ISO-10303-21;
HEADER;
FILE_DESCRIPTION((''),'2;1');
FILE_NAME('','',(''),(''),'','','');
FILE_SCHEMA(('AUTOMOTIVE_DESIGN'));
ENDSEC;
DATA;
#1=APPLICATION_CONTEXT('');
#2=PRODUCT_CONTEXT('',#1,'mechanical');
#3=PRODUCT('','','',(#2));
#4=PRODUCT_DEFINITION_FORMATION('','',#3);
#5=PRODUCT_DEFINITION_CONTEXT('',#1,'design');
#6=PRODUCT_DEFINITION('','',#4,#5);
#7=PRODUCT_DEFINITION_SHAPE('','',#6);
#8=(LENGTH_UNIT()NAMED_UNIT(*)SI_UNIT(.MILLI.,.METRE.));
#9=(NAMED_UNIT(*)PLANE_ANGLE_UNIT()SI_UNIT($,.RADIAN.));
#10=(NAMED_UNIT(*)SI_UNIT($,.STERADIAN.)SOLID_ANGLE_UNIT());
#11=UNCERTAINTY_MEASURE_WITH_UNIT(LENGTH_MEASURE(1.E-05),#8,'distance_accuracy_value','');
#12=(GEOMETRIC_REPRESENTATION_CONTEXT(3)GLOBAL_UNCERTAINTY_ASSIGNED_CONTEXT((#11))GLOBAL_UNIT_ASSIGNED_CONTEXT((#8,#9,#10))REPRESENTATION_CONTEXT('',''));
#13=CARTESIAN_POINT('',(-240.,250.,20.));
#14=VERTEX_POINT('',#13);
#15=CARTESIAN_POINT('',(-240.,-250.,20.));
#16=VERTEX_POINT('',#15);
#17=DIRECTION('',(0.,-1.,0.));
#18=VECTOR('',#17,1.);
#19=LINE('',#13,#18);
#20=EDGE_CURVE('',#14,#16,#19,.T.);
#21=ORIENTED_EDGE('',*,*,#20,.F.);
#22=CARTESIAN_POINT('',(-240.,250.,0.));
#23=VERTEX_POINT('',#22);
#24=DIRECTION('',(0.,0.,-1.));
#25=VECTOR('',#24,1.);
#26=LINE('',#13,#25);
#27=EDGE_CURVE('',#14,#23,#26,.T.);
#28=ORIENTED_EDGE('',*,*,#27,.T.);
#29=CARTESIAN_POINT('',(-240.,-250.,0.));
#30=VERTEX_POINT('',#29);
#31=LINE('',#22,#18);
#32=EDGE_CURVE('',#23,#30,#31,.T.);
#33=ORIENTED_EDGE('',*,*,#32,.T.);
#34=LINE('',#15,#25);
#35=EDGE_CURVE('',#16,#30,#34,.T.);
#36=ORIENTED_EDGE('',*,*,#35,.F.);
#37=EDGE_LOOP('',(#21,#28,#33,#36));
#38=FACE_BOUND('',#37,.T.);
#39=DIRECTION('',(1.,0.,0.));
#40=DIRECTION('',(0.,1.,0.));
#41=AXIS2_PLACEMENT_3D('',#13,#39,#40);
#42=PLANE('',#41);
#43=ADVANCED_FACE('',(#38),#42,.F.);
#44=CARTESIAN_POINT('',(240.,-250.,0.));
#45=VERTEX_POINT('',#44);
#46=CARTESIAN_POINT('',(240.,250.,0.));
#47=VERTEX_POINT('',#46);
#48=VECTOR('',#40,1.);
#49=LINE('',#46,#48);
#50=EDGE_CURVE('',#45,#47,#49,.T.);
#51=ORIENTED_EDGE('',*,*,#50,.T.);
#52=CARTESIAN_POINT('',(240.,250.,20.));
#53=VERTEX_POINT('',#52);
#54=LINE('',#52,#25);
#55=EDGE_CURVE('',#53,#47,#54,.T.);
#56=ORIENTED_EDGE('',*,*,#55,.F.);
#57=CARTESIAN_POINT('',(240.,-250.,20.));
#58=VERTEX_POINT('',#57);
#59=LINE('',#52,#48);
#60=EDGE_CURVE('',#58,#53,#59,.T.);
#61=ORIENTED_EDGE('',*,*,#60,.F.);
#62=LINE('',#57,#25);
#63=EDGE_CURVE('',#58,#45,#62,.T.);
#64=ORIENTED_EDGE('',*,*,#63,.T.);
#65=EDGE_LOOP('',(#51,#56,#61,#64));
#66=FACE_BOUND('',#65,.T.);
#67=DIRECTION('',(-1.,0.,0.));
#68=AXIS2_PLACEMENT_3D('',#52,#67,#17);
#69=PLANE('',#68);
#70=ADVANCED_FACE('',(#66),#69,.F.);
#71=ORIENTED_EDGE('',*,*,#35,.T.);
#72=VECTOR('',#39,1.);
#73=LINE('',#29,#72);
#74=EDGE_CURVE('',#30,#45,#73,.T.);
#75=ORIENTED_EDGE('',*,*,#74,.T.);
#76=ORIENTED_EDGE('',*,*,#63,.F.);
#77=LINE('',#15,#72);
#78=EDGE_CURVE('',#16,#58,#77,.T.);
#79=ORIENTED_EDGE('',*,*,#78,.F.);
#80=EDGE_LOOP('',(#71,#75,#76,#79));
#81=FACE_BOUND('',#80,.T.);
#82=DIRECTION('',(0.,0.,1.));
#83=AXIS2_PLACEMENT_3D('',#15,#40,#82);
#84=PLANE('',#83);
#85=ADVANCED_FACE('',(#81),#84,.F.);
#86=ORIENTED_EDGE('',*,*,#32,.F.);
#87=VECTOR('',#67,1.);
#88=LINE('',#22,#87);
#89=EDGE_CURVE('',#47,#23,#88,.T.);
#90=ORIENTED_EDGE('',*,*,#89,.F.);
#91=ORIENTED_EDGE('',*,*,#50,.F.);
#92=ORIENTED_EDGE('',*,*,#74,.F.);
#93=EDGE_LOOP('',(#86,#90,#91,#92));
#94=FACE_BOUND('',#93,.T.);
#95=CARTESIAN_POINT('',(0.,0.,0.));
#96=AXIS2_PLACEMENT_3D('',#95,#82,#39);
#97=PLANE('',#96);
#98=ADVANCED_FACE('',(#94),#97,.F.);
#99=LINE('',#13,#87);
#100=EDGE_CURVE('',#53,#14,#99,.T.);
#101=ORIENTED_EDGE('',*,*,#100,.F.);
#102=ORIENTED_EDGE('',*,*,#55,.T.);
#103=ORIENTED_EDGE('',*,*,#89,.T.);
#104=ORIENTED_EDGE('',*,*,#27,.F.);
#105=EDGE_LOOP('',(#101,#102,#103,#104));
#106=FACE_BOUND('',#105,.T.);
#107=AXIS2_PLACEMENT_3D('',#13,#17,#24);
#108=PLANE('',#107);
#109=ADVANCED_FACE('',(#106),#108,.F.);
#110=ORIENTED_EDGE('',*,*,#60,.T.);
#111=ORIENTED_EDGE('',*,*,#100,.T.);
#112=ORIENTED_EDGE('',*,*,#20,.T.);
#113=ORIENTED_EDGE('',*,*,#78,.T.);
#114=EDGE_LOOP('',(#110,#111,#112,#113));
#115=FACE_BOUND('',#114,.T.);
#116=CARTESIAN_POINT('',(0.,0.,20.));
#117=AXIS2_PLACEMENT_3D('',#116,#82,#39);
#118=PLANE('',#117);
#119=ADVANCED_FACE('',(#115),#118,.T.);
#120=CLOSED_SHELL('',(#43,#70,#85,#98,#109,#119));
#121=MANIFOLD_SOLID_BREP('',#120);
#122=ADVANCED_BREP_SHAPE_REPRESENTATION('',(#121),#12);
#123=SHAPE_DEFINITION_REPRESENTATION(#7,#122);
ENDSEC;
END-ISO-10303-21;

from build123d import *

# Parameters (mm, degrees)
ESQUISSE1_W        = 480
ESQUISSE1_H        = 500
BOSS_EXTRU_1_DEPTH = 20


with BuildPart() as part:
    # Esquisse1 → Boss.-Extru.1 (new body)
    with BuildSketch(Plane.XY):
        Rectangle(ESQUISSE1_W, ESQUISSE1_H)
    extrude(amount=BOSS_EXTRU_1_DEPTH)


solid = part.part
